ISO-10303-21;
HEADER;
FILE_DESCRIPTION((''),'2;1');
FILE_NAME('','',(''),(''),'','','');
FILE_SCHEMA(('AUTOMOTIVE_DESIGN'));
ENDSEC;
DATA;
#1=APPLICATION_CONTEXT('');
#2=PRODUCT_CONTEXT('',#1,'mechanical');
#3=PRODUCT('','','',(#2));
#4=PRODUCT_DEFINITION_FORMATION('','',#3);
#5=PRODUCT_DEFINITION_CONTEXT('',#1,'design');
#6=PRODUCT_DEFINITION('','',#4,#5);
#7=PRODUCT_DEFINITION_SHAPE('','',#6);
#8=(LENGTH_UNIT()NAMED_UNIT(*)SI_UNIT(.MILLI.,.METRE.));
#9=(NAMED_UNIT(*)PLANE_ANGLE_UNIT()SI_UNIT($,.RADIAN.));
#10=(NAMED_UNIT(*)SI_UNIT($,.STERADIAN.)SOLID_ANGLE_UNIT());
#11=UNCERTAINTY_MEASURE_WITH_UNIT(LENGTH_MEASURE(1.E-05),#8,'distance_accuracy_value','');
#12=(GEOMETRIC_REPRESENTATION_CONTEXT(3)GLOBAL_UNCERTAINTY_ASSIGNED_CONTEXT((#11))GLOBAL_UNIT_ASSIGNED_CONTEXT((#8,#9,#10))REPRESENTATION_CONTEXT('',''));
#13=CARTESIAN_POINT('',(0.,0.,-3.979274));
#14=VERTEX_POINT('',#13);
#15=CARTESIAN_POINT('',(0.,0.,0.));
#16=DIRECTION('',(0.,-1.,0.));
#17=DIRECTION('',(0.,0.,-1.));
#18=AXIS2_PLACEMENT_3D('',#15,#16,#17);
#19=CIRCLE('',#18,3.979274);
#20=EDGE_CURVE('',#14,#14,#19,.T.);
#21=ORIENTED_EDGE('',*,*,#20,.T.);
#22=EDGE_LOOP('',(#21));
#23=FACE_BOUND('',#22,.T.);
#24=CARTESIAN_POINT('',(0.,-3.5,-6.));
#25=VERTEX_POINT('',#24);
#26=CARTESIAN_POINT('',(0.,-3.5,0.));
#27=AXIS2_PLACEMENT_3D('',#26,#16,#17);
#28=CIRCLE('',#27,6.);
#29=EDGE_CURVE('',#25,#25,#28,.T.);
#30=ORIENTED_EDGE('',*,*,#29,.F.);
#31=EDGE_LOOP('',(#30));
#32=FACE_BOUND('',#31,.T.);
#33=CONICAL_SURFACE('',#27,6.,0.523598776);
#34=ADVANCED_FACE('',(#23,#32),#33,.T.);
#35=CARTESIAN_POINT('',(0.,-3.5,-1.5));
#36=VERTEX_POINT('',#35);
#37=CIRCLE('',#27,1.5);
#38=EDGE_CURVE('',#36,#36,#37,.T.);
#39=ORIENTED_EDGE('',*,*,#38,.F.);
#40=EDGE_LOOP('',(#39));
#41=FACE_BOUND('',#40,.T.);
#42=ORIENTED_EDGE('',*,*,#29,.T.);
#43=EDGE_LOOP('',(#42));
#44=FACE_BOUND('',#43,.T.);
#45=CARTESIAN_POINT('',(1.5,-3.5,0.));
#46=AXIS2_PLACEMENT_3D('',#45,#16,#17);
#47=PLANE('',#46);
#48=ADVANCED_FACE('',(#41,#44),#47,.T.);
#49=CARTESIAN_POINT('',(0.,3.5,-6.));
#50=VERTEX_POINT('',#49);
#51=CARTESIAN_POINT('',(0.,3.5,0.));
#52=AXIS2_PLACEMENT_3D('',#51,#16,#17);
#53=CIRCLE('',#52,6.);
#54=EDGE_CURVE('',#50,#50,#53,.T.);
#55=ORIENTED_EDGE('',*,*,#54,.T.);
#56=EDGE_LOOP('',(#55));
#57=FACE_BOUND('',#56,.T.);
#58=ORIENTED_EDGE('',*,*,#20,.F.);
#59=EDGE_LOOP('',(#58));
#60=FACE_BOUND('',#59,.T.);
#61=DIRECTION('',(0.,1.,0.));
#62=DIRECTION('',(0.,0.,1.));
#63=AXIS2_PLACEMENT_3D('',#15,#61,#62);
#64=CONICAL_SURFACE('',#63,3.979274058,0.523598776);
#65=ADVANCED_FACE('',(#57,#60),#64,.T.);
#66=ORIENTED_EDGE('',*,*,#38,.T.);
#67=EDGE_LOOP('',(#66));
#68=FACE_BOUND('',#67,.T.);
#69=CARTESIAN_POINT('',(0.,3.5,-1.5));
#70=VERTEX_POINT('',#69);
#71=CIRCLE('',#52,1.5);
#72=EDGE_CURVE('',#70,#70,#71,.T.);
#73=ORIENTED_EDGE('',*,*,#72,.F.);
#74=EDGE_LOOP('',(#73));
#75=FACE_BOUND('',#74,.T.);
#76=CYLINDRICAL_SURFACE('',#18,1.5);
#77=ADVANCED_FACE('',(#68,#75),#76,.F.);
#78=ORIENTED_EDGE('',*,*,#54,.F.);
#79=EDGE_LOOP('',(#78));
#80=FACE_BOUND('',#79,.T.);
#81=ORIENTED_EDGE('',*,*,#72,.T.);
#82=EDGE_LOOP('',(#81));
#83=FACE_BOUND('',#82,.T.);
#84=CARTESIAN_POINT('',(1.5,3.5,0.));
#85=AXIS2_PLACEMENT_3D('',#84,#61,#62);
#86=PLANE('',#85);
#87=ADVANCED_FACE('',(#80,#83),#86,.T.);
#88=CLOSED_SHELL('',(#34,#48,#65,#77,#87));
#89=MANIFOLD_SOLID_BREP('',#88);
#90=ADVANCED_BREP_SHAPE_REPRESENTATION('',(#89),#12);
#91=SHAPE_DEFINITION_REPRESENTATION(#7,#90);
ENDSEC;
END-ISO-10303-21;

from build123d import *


with BuildPart() as part:
    # Esquisse2 → Révolution1 (revolve)
    with BuildSketch(Plane.XY, mode=Mode.PRIVATE) as r_volution1_sk:
        Polygon((1.5, -3.5), (1.5, 3.5), (6, 3.5), (3.979274058, 0), (6, -3.5), align=None)
    revolve(r_volution1_sk.sketch.rotate(Axis((0, 0, 0), (0, 1, 0)), 90), axis=Axis((0, 0, 0), (0, 1, 0)))


solid = part.part
